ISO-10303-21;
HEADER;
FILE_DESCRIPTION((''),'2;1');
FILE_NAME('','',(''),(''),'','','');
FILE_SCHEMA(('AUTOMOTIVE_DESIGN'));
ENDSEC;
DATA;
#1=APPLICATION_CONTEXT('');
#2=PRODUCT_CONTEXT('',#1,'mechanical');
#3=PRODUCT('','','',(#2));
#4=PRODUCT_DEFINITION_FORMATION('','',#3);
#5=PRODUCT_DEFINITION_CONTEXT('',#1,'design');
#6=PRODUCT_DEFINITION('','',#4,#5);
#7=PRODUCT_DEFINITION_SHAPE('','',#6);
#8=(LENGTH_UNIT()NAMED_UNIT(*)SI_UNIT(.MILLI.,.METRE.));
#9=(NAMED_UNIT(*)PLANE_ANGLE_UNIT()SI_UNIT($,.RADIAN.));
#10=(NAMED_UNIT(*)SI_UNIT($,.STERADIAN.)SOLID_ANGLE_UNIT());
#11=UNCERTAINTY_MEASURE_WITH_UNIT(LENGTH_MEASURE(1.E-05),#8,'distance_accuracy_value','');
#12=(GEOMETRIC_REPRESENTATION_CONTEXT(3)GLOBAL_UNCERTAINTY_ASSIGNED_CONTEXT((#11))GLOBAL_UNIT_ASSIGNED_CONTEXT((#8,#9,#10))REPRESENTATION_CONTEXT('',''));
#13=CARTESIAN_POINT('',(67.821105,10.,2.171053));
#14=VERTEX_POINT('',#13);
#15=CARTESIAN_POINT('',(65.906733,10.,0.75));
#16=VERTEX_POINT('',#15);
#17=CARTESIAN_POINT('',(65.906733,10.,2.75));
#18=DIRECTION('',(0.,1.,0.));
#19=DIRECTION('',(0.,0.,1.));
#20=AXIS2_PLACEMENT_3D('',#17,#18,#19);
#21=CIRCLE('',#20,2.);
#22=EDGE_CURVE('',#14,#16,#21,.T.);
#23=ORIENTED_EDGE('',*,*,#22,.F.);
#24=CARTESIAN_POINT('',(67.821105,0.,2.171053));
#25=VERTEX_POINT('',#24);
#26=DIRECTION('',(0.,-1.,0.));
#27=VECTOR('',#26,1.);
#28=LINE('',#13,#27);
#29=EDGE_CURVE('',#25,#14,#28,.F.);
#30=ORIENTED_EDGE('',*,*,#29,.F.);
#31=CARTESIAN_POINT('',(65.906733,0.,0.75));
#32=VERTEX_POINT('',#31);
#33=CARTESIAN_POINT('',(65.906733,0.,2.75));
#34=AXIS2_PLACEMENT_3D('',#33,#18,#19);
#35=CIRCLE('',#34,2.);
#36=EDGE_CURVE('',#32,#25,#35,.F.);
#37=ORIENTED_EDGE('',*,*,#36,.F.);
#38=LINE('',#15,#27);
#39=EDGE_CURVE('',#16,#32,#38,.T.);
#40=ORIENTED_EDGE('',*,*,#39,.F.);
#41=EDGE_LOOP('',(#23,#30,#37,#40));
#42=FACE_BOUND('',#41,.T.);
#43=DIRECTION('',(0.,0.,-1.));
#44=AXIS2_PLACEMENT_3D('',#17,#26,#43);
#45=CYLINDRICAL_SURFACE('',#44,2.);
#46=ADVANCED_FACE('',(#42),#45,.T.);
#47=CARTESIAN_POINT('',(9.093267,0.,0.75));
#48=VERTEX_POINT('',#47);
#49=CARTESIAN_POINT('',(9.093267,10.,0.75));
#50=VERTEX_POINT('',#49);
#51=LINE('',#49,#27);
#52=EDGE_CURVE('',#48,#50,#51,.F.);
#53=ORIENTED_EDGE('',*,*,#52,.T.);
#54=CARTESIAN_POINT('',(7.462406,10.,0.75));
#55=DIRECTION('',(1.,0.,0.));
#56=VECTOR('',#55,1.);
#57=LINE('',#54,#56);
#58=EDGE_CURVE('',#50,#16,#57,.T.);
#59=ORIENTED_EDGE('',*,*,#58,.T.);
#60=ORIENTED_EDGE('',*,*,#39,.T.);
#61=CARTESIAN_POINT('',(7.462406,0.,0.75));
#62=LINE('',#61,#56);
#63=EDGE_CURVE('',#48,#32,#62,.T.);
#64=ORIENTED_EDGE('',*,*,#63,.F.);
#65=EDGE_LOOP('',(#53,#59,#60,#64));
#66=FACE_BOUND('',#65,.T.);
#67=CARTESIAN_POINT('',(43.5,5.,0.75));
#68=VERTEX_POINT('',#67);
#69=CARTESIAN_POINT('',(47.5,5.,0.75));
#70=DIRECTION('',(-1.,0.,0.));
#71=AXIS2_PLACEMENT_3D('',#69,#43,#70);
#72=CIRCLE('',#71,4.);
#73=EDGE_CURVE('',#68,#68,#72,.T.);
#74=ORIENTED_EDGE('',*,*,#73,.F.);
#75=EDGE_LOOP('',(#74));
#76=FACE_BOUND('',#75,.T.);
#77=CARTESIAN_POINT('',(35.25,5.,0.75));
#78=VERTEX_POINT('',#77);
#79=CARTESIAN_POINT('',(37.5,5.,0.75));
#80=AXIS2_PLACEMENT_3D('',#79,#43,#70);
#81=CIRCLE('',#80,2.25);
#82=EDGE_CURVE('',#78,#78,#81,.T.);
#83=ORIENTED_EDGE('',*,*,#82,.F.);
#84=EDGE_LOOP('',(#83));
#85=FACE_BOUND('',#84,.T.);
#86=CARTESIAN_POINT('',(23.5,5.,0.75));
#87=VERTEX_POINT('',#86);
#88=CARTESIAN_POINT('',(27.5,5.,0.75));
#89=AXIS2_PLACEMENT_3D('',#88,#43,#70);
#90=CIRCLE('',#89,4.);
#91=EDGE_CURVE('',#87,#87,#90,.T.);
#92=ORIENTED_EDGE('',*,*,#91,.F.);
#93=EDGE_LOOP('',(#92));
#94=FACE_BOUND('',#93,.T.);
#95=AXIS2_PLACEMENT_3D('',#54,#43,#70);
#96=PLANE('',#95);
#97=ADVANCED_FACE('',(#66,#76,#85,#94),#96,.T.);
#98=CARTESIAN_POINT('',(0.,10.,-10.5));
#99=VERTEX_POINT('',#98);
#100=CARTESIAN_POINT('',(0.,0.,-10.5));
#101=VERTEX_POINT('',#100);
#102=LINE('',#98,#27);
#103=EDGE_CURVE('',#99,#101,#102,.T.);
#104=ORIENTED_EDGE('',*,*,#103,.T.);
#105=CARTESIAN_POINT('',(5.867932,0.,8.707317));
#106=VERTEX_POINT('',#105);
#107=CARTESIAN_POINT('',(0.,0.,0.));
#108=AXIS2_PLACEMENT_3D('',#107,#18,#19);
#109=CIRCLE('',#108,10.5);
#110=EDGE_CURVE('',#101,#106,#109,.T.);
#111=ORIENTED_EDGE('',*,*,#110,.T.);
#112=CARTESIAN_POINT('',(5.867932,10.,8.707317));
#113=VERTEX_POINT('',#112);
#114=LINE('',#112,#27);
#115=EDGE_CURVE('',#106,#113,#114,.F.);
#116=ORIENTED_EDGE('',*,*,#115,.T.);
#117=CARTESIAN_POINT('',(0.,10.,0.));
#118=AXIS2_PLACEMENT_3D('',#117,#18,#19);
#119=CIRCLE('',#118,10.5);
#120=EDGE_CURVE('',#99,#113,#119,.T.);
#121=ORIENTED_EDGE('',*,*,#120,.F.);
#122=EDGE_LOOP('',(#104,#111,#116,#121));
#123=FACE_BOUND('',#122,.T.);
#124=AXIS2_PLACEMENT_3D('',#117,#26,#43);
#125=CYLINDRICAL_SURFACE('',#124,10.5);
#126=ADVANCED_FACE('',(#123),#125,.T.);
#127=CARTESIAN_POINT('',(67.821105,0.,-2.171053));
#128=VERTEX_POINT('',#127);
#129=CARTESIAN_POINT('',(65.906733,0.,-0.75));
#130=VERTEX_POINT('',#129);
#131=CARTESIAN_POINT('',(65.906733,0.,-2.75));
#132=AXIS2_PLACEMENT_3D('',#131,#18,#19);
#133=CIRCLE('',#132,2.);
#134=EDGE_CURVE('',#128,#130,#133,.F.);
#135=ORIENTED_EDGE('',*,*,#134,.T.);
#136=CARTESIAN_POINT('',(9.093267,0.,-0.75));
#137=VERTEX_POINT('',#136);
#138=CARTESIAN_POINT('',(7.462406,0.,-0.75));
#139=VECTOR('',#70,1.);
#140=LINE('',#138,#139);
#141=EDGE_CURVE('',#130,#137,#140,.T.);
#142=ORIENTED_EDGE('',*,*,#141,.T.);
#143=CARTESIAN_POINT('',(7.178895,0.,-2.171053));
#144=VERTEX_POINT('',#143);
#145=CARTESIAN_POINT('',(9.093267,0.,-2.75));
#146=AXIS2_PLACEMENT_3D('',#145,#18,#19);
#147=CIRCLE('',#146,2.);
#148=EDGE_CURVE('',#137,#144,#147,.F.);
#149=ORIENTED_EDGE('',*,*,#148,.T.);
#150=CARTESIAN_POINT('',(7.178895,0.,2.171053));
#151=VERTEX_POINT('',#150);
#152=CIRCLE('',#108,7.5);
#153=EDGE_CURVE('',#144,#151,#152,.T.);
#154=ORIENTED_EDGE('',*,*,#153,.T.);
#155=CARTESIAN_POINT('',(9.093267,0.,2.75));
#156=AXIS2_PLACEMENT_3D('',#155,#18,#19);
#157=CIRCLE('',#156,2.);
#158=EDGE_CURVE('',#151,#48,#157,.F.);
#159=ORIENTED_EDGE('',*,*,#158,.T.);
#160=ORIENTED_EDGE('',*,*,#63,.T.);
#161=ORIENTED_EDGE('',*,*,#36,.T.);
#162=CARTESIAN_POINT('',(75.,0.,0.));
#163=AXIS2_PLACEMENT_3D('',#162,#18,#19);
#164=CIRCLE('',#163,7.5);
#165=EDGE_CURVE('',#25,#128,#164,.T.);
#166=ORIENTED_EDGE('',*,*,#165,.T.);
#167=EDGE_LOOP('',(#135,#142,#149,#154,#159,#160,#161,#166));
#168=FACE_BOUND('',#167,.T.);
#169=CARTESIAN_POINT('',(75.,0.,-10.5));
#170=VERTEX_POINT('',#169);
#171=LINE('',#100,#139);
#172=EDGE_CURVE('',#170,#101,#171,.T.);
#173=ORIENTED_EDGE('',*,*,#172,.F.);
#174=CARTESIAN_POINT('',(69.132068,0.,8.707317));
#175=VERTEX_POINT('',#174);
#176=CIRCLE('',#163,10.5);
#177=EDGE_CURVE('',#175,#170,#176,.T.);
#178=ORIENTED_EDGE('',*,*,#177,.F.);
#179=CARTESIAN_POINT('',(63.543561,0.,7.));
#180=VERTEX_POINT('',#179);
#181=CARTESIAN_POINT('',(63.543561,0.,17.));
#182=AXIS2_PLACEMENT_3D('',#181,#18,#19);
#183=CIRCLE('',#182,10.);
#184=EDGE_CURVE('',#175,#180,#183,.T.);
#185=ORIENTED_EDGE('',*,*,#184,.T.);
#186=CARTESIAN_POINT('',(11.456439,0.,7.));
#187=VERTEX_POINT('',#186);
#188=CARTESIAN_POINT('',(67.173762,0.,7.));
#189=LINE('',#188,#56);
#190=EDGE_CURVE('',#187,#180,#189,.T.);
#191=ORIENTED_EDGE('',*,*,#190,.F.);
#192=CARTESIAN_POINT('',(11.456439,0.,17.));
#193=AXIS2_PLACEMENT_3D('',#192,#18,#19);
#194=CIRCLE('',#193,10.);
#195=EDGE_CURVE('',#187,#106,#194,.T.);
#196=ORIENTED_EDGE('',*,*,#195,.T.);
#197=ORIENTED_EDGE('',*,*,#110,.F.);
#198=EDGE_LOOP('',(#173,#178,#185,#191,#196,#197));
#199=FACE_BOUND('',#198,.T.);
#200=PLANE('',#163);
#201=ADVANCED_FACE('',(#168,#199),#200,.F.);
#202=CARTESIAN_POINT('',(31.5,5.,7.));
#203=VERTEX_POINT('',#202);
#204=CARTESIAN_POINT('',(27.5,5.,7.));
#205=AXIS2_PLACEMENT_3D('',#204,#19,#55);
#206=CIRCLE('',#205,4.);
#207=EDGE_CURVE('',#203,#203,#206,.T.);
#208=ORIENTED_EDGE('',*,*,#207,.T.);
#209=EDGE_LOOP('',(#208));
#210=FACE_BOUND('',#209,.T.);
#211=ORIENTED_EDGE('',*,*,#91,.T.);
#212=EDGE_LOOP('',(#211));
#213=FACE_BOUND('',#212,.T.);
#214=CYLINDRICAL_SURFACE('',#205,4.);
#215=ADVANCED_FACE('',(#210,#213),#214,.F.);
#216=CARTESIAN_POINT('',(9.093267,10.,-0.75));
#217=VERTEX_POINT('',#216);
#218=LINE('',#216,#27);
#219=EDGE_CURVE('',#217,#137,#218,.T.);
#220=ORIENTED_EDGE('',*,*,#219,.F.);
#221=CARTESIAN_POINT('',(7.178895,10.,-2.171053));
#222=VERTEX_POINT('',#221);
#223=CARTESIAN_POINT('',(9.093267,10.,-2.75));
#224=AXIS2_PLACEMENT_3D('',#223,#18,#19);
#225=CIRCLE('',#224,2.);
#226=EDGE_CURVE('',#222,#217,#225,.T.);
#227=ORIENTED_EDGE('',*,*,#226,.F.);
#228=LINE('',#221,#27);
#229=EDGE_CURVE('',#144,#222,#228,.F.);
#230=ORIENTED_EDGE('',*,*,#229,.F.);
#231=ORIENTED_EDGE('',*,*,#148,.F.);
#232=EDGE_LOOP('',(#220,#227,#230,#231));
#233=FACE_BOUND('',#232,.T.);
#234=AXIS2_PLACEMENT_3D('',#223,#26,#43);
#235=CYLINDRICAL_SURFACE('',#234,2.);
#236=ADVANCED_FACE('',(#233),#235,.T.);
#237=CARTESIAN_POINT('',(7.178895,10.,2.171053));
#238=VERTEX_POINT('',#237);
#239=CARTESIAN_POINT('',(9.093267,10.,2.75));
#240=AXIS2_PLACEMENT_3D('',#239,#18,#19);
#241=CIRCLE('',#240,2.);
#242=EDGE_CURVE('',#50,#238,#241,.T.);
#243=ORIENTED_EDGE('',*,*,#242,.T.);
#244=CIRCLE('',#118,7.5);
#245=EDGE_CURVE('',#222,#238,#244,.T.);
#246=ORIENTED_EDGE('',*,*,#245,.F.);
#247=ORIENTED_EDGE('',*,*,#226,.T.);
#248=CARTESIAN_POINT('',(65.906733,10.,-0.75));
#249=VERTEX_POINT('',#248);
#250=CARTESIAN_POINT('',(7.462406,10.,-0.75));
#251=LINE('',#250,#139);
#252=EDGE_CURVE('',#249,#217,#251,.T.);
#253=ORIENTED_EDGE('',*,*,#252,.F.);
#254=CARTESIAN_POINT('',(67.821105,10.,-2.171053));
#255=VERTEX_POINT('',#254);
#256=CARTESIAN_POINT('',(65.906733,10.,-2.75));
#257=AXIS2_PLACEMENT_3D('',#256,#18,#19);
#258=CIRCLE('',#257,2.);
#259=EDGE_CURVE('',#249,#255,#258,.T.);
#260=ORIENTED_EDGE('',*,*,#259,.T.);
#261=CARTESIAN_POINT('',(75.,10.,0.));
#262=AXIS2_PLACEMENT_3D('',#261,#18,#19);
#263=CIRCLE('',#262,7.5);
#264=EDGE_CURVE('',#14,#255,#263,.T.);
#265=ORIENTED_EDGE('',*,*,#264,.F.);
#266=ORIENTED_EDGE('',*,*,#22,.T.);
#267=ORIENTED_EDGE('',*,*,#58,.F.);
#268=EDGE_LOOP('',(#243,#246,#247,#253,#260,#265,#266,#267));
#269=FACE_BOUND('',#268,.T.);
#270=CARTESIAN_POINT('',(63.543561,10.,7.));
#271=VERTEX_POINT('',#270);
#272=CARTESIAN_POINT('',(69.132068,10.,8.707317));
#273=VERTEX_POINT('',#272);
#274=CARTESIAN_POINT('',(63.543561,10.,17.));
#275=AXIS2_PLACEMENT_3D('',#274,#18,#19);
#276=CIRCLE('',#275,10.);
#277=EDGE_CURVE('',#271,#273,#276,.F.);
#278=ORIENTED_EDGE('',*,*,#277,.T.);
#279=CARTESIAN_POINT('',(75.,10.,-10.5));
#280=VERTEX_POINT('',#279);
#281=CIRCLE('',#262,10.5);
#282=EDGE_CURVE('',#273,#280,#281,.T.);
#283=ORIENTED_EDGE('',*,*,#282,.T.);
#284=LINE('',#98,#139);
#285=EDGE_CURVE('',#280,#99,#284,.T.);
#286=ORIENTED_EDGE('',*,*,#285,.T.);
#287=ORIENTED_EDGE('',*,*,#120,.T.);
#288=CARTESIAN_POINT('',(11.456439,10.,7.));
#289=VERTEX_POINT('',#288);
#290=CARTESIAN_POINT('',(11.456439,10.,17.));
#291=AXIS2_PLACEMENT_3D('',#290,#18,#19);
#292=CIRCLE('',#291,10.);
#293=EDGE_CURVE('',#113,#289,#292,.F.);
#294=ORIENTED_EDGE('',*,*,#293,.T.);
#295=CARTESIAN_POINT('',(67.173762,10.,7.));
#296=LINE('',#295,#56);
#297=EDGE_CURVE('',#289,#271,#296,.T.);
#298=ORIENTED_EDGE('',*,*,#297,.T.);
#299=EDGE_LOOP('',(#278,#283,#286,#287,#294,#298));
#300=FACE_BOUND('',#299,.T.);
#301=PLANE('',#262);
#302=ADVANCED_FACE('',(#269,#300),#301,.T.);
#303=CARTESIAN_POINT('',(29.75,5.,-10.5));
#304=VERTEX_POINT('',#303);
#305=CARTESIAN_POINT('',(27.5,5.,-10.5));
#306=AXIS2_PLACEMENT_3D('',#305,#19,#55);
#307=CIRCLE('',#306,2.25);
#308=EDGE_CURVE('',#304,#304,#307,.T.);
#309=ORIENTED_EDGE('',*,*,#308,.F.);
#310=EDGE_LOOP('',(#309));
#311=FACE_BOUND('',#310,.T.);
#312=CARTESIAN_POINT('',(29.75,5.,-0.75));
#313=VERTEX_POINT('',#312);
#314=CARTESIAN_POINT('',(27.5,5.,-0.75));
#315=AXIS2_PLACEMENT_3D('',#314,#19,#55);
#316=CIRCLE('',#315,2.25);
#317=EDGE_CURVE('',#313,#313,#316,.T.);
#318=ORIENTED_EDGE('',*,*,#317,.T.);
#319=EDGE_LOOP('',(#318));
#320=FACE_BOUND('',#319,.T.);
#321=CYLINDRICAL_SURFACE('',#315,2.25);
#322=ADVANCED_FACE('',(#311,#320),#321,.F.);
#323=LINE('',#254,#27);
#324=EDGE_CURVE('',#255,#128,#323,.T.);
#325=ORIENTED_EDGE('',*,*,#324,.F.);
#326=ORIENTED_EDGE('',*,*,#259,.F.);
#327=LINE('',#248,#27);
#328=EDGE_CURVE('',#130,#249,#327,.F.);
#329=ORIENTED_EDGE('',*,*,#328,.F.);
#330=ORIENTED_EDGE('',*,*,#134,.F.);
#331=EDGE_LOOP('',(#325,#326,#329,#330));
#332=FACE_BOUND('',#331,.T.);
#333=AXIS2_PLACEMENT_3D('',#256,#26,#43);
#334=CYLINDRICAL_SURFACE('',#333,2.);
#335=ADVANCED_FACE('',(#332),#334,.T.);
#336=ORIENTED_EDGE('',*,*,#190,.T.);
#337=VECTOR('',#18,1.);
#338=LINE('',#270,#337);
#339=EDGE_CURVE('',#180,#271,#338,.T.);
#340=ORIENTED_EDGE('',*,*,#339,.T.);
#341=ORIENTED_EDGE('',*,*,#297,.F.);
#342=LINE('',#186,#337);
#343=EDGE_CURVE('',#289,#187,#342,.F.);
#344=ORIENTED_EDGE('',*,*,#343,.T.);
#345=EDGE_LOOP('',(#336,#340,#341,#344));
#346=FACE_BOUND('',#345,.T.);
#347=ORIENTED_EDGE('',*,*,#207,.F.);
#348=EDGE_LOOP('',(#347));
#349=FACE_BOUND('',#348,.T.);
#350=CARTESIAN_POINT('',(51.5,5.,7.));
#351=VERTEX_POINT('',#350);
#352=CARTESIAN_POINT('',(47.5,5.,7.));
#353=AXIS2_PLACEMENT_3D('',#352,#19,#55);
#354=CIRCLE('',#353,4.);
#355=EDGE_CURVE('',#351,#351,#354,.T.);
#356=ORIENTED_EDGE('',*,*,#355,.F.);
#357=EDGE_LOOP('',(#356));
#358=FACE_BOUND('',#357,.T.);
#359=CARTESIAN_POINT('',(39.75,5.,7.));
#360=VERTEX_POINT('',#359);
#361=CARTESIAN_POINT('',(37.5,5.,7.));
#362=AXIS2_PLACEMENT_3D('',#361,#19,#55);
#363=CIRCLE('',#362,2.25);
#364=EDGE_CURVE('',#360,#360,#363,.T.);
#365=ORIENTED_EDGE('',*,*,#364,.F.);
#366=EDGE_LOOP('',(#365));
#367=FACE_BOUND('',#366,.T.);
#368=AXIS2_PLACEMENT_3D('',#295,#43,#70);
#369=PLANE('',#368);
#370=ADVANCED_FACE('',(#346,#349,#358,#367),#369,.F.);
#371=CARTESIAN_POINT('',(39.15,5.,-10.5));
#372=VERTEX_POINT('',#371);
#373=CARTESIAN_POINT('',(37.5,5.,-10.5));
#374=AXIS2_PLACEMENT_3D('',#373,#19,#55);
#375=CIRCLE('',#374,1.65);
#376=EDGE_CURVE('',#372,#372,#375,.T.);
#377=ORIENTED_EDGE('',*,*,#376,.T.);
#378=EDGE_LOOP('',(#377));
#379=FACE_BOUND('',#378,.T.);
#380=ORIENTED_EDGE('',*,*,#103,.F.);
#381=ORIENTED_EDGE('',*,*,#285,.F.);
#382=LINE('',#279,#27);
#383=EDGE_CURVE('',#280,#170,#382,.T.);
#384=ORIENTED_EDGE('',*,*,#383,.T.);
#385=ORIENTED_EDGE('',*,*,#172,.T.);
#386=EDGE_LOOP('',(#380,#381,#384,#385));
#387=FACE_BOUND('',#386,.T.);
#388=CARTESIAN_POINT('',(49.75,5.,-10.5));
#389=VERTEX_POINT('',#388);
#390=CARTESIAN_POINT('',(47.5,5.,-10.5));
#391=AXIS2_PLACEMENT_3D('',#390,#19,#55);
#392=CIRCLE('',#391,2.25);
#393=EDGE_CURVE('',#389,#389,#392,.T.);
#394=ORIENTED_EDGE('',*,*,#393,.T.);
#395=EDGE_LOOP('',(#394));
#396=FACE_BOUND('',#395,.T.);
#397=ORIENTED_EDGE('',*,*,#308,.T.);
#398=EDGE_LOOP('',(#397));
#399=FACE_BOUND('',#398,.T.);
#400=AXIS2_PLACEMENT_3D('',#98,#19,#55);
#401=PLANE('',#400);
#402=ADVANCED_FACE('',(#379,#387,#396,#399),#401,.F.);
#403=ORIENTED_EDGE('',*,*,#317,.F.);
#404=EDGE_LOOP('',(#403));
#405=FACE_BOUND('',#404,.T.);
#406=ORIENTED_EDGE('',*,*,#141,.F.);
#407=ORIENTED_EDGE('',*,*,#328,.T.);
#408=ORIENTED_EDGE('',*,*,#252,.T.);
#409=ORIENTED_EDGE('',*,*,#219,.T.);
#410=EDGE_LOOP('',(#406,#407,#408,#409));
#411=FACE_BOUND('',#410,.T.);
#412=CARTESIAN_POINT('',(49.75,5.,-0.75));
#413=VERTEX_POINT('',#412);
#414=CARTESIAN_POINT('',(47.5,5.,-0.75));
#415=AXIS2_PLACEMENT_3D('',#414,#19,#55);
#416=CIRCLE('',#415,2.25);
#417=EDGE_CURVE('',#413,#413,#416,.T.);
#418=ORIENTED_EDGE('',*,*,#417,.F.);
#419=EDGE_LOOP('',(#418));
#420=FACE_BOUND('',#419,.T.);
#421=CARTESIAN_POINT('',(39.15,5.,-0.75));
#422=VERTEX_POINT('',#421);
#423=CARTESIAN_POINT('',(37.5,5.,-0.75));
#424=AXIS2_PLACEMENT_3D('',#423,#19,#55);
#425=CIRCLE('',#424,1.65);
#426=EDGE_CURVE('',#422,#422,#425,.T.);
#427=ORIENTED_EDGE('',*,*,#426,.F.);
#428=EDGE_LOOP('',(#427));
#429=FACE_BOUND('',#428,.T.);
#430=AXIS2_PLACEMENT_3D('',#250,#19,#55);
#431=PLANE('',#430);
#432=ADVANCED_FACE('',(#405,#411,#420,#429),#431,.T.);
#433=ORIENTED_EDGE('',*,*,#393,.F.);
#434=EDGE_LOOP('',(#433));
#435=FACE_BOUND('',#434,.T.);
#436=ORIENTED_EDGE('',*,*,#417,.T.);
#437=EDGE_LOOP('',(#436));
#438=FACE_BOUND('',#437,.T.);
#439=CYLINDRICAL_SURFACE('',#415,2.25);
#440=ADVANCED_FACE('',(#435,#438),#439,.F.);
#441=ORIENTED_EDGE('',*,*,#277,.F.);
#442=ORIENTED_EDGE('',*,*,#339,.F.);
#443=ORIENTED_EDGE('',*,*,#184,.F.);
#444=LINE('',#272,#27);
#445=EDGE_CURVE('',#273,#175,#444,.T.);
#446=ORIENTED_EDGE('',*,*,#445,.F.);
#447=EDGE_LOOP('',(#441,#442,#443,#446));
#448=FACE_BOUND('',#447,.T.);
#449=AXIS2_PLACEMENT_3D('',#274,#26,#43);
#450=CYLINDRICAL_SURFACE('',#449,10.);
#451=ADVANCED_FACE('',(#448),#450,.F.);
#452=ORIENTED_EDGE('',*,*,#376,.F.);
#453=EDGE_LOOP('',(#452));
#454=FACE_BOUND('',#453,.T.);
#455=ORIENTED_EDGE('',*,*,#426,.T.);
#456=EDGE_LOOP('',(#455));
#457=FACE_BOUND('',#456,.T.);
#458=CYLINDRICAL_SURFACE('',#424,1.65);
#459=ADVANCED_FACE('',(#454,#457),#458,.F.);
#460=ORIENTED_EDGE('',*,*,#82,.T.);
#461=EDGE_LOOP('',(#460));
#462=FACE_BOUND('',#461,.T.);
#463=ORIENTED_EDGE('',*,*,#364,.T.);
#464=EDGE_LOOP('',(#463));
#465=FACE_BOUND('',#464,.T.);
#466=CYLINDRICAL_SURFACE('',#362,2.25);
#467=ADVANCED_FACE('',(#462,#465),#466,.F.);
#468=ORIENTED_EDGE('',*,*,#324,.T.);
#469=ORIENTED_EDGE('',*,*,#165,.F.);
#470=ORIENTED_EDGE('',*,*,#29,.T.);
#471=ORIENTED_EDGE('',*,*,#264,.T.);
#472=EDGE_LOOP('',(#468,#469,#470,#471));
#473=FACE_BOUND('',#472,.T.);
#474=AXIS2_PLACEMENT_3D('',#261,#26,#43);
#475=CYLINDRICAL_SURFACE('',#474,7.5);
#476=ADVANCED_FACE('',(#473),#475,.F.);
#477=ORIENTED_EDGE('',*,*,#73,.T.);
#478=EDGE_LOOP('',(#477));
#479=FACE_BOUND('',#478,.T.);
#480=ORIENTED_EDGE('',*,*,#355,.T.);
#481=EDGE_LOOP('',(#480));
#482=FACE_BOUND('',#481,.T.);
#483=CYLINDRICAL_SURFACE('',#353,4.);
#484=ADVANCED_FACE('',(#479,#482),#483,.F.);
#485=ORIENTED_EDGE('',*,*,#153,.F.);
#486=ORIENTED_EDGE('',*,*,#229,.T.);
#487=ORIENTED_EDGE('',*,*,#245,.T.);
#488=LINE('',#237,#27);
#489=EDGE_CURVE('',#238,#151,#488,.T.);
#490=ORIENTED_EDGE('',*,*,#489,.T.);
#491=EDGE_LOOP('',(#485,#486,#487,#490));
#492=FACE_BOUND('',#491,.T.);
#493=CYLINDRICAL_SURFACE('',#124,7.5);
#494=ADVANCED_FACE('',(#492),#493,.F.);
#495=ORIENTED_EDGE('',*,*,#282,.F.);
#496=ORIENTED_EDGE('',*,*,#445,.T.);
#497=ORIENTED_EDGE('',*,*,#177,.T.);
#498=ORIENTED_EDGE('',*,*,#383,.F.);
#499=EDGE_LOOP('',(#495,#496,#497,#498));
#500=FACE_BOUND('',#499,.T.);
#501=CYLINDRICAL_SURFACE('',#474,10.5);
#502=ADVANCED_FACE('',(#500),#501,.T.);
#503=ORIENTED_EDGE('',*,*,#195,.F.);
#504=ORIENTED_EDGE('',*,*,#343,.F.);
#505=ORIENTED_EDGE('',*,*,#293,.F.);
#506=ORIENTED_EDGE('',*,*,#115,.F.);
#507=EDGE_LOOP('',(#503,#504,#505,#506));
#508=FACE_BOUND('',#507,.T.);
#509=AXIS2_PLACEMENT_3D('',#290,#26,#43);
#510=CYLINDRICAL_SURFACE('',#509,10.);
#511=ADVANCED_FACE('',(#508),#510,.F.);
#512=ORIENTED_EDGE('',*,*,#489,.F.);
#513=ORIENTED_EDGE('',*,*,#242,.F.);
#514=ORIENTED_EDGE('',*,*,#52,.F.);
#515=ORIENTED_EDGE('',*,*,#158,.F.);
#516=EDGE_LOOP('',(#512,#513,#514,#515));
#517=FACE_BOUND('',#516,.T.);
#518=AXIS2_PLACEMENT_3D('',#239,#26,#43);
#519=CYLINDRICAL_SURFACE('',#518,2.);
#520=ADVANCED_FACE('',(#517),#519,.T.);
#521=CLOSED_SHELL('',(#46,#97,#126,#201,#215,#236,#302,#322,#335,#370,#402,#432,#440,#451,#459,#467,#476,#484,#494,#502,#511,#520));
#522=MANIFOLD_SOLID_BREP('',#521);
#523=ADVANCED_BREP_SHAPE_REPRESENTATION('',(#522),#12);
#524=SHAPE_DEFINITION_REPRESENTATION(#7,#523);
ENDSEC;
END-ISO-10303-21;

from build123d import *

# Parameters (mm, degrees)
EXTRUDE_1_DEPTH           = 10
HOLE_WIZARD_8_0_8_1_D     = 8
HOLE_WIZARD_8_0_8_1_DEPTH = 6.25
HOLE_WIZARD_M41_D         = 4.5
HOLE_WIZARD_M41_DEPTH     = 11
HOLE_WIZARD_M41_TIP       = 1.351936393
HOLE_WIZARD_M42_D         = 4.5
HOLE_WIZARD_M42_DEPTH     = 6.25
M4X0_72_D                 = 3.3
FILLET_2_R                = 10
FILLET_3_R                = 2


with BuildPart() as part:
    # Эскиз1 → Бобышка-Вытянуть1 (new body)
    with BuildSketch(Plane(origin=(0, 0, 0), x_dir=(1, 0, 0), z_dir=(0, 1, 0))):
        with BuildLine():
            Line((67.173762079, -7), (7.826237921, -7))
            ThreePointArc((7.826237921, -7), (-9.585144756, -4.28660705), (0, 10.5))
            Line((0, 10.5), (75, 10.5))
            ThreePointArc((75, 10.5), (84.585144756, -4.28660705), (67.173762079, -7))
        make_face()
        with BuildLine():
            Line((7.462405778, -0.75), (67.537594222, -0.75))
            ThreePointArc((67.537594222, -0.75), (82.5, 0), (67.537594222, 0.75))
            Line((67.537594222, 0.75), (7.462405778, 0.75))
            ThreePointArc((7.462405778, 0.75), (-7.5, 0), (7.462405778, -0.75))
        make_face(mode=Mode.SUBTRACT)
    extrude(amount=EXTRUDE_1_DEPTH)

    # Диаметр отверстия Ø8.0 (8)1
    with Locations(Plane.XY.offset(7)):
        with Locations((27.5, 5), (47.5, 5)):
            Hole(HOLE_WIZARD_8_0_8_1_D / 2, depth=HOLE_WIZARD_8_0_8_1_DEPTH)

    # Отверстие с зазором M41
    with Locations(Plane.XY.offset(-0.75)):
        with Locations((47.5, 5), (27.5, 5)):
            Hole(HOLE_WIZARD_M41_D / 2, depth=HOLE_WIZARD_M41_DEPTH)
            with Locations((0, 0, -(HOLE_WIZARD_M41_DEPTH + HOLE_WIZARD_M41_TIP / 2))):  # 118° drill point
                Cone(0, HOLE_WIZARD_M41_D / 2, HOLE_WIZARD_M41_TIP, mode=Mode.SUBTRACT)

    # Отверстие с зазором M42
    with Locations(Plane.XY.offset(7)):
        with Locations((37.5, 5)):
            Hole(HOLE_WIZARD_M42_D / 2, depth=HOLE_WIZARD_M42_DEPTH)

    # Отверстие обработанное метчиком M4x0.72 (through all)
    with Locations(Plane.XY.offset(-0.75)):
        with Locations((37.5, 5)):
            Hole(M4X0_72_D / 2)

    # Скругление2
    fillet_2_edges = [part.edges().sort_by_distance(p)[0] for p in [
        (67.173762079, 5, 7),
        (7.826237921, 5, 7),
    ]]
    fillet(fillet_2_edges, radius=FILLET_2_R)

    # Скругление3
    fillet_3_edges = [part.edges().sort_by_distance(p)[0] for p in [
        (7.462405778, 5, -0.75),
        (7.462405778, 5, 0.75),
        (67.537594222, 5, 0.75),
        (67.537594222, 5, -0.75),
    ]]
    fillet(fillet_3_edges, radius=FILLET_3_R)


solid = part.part
